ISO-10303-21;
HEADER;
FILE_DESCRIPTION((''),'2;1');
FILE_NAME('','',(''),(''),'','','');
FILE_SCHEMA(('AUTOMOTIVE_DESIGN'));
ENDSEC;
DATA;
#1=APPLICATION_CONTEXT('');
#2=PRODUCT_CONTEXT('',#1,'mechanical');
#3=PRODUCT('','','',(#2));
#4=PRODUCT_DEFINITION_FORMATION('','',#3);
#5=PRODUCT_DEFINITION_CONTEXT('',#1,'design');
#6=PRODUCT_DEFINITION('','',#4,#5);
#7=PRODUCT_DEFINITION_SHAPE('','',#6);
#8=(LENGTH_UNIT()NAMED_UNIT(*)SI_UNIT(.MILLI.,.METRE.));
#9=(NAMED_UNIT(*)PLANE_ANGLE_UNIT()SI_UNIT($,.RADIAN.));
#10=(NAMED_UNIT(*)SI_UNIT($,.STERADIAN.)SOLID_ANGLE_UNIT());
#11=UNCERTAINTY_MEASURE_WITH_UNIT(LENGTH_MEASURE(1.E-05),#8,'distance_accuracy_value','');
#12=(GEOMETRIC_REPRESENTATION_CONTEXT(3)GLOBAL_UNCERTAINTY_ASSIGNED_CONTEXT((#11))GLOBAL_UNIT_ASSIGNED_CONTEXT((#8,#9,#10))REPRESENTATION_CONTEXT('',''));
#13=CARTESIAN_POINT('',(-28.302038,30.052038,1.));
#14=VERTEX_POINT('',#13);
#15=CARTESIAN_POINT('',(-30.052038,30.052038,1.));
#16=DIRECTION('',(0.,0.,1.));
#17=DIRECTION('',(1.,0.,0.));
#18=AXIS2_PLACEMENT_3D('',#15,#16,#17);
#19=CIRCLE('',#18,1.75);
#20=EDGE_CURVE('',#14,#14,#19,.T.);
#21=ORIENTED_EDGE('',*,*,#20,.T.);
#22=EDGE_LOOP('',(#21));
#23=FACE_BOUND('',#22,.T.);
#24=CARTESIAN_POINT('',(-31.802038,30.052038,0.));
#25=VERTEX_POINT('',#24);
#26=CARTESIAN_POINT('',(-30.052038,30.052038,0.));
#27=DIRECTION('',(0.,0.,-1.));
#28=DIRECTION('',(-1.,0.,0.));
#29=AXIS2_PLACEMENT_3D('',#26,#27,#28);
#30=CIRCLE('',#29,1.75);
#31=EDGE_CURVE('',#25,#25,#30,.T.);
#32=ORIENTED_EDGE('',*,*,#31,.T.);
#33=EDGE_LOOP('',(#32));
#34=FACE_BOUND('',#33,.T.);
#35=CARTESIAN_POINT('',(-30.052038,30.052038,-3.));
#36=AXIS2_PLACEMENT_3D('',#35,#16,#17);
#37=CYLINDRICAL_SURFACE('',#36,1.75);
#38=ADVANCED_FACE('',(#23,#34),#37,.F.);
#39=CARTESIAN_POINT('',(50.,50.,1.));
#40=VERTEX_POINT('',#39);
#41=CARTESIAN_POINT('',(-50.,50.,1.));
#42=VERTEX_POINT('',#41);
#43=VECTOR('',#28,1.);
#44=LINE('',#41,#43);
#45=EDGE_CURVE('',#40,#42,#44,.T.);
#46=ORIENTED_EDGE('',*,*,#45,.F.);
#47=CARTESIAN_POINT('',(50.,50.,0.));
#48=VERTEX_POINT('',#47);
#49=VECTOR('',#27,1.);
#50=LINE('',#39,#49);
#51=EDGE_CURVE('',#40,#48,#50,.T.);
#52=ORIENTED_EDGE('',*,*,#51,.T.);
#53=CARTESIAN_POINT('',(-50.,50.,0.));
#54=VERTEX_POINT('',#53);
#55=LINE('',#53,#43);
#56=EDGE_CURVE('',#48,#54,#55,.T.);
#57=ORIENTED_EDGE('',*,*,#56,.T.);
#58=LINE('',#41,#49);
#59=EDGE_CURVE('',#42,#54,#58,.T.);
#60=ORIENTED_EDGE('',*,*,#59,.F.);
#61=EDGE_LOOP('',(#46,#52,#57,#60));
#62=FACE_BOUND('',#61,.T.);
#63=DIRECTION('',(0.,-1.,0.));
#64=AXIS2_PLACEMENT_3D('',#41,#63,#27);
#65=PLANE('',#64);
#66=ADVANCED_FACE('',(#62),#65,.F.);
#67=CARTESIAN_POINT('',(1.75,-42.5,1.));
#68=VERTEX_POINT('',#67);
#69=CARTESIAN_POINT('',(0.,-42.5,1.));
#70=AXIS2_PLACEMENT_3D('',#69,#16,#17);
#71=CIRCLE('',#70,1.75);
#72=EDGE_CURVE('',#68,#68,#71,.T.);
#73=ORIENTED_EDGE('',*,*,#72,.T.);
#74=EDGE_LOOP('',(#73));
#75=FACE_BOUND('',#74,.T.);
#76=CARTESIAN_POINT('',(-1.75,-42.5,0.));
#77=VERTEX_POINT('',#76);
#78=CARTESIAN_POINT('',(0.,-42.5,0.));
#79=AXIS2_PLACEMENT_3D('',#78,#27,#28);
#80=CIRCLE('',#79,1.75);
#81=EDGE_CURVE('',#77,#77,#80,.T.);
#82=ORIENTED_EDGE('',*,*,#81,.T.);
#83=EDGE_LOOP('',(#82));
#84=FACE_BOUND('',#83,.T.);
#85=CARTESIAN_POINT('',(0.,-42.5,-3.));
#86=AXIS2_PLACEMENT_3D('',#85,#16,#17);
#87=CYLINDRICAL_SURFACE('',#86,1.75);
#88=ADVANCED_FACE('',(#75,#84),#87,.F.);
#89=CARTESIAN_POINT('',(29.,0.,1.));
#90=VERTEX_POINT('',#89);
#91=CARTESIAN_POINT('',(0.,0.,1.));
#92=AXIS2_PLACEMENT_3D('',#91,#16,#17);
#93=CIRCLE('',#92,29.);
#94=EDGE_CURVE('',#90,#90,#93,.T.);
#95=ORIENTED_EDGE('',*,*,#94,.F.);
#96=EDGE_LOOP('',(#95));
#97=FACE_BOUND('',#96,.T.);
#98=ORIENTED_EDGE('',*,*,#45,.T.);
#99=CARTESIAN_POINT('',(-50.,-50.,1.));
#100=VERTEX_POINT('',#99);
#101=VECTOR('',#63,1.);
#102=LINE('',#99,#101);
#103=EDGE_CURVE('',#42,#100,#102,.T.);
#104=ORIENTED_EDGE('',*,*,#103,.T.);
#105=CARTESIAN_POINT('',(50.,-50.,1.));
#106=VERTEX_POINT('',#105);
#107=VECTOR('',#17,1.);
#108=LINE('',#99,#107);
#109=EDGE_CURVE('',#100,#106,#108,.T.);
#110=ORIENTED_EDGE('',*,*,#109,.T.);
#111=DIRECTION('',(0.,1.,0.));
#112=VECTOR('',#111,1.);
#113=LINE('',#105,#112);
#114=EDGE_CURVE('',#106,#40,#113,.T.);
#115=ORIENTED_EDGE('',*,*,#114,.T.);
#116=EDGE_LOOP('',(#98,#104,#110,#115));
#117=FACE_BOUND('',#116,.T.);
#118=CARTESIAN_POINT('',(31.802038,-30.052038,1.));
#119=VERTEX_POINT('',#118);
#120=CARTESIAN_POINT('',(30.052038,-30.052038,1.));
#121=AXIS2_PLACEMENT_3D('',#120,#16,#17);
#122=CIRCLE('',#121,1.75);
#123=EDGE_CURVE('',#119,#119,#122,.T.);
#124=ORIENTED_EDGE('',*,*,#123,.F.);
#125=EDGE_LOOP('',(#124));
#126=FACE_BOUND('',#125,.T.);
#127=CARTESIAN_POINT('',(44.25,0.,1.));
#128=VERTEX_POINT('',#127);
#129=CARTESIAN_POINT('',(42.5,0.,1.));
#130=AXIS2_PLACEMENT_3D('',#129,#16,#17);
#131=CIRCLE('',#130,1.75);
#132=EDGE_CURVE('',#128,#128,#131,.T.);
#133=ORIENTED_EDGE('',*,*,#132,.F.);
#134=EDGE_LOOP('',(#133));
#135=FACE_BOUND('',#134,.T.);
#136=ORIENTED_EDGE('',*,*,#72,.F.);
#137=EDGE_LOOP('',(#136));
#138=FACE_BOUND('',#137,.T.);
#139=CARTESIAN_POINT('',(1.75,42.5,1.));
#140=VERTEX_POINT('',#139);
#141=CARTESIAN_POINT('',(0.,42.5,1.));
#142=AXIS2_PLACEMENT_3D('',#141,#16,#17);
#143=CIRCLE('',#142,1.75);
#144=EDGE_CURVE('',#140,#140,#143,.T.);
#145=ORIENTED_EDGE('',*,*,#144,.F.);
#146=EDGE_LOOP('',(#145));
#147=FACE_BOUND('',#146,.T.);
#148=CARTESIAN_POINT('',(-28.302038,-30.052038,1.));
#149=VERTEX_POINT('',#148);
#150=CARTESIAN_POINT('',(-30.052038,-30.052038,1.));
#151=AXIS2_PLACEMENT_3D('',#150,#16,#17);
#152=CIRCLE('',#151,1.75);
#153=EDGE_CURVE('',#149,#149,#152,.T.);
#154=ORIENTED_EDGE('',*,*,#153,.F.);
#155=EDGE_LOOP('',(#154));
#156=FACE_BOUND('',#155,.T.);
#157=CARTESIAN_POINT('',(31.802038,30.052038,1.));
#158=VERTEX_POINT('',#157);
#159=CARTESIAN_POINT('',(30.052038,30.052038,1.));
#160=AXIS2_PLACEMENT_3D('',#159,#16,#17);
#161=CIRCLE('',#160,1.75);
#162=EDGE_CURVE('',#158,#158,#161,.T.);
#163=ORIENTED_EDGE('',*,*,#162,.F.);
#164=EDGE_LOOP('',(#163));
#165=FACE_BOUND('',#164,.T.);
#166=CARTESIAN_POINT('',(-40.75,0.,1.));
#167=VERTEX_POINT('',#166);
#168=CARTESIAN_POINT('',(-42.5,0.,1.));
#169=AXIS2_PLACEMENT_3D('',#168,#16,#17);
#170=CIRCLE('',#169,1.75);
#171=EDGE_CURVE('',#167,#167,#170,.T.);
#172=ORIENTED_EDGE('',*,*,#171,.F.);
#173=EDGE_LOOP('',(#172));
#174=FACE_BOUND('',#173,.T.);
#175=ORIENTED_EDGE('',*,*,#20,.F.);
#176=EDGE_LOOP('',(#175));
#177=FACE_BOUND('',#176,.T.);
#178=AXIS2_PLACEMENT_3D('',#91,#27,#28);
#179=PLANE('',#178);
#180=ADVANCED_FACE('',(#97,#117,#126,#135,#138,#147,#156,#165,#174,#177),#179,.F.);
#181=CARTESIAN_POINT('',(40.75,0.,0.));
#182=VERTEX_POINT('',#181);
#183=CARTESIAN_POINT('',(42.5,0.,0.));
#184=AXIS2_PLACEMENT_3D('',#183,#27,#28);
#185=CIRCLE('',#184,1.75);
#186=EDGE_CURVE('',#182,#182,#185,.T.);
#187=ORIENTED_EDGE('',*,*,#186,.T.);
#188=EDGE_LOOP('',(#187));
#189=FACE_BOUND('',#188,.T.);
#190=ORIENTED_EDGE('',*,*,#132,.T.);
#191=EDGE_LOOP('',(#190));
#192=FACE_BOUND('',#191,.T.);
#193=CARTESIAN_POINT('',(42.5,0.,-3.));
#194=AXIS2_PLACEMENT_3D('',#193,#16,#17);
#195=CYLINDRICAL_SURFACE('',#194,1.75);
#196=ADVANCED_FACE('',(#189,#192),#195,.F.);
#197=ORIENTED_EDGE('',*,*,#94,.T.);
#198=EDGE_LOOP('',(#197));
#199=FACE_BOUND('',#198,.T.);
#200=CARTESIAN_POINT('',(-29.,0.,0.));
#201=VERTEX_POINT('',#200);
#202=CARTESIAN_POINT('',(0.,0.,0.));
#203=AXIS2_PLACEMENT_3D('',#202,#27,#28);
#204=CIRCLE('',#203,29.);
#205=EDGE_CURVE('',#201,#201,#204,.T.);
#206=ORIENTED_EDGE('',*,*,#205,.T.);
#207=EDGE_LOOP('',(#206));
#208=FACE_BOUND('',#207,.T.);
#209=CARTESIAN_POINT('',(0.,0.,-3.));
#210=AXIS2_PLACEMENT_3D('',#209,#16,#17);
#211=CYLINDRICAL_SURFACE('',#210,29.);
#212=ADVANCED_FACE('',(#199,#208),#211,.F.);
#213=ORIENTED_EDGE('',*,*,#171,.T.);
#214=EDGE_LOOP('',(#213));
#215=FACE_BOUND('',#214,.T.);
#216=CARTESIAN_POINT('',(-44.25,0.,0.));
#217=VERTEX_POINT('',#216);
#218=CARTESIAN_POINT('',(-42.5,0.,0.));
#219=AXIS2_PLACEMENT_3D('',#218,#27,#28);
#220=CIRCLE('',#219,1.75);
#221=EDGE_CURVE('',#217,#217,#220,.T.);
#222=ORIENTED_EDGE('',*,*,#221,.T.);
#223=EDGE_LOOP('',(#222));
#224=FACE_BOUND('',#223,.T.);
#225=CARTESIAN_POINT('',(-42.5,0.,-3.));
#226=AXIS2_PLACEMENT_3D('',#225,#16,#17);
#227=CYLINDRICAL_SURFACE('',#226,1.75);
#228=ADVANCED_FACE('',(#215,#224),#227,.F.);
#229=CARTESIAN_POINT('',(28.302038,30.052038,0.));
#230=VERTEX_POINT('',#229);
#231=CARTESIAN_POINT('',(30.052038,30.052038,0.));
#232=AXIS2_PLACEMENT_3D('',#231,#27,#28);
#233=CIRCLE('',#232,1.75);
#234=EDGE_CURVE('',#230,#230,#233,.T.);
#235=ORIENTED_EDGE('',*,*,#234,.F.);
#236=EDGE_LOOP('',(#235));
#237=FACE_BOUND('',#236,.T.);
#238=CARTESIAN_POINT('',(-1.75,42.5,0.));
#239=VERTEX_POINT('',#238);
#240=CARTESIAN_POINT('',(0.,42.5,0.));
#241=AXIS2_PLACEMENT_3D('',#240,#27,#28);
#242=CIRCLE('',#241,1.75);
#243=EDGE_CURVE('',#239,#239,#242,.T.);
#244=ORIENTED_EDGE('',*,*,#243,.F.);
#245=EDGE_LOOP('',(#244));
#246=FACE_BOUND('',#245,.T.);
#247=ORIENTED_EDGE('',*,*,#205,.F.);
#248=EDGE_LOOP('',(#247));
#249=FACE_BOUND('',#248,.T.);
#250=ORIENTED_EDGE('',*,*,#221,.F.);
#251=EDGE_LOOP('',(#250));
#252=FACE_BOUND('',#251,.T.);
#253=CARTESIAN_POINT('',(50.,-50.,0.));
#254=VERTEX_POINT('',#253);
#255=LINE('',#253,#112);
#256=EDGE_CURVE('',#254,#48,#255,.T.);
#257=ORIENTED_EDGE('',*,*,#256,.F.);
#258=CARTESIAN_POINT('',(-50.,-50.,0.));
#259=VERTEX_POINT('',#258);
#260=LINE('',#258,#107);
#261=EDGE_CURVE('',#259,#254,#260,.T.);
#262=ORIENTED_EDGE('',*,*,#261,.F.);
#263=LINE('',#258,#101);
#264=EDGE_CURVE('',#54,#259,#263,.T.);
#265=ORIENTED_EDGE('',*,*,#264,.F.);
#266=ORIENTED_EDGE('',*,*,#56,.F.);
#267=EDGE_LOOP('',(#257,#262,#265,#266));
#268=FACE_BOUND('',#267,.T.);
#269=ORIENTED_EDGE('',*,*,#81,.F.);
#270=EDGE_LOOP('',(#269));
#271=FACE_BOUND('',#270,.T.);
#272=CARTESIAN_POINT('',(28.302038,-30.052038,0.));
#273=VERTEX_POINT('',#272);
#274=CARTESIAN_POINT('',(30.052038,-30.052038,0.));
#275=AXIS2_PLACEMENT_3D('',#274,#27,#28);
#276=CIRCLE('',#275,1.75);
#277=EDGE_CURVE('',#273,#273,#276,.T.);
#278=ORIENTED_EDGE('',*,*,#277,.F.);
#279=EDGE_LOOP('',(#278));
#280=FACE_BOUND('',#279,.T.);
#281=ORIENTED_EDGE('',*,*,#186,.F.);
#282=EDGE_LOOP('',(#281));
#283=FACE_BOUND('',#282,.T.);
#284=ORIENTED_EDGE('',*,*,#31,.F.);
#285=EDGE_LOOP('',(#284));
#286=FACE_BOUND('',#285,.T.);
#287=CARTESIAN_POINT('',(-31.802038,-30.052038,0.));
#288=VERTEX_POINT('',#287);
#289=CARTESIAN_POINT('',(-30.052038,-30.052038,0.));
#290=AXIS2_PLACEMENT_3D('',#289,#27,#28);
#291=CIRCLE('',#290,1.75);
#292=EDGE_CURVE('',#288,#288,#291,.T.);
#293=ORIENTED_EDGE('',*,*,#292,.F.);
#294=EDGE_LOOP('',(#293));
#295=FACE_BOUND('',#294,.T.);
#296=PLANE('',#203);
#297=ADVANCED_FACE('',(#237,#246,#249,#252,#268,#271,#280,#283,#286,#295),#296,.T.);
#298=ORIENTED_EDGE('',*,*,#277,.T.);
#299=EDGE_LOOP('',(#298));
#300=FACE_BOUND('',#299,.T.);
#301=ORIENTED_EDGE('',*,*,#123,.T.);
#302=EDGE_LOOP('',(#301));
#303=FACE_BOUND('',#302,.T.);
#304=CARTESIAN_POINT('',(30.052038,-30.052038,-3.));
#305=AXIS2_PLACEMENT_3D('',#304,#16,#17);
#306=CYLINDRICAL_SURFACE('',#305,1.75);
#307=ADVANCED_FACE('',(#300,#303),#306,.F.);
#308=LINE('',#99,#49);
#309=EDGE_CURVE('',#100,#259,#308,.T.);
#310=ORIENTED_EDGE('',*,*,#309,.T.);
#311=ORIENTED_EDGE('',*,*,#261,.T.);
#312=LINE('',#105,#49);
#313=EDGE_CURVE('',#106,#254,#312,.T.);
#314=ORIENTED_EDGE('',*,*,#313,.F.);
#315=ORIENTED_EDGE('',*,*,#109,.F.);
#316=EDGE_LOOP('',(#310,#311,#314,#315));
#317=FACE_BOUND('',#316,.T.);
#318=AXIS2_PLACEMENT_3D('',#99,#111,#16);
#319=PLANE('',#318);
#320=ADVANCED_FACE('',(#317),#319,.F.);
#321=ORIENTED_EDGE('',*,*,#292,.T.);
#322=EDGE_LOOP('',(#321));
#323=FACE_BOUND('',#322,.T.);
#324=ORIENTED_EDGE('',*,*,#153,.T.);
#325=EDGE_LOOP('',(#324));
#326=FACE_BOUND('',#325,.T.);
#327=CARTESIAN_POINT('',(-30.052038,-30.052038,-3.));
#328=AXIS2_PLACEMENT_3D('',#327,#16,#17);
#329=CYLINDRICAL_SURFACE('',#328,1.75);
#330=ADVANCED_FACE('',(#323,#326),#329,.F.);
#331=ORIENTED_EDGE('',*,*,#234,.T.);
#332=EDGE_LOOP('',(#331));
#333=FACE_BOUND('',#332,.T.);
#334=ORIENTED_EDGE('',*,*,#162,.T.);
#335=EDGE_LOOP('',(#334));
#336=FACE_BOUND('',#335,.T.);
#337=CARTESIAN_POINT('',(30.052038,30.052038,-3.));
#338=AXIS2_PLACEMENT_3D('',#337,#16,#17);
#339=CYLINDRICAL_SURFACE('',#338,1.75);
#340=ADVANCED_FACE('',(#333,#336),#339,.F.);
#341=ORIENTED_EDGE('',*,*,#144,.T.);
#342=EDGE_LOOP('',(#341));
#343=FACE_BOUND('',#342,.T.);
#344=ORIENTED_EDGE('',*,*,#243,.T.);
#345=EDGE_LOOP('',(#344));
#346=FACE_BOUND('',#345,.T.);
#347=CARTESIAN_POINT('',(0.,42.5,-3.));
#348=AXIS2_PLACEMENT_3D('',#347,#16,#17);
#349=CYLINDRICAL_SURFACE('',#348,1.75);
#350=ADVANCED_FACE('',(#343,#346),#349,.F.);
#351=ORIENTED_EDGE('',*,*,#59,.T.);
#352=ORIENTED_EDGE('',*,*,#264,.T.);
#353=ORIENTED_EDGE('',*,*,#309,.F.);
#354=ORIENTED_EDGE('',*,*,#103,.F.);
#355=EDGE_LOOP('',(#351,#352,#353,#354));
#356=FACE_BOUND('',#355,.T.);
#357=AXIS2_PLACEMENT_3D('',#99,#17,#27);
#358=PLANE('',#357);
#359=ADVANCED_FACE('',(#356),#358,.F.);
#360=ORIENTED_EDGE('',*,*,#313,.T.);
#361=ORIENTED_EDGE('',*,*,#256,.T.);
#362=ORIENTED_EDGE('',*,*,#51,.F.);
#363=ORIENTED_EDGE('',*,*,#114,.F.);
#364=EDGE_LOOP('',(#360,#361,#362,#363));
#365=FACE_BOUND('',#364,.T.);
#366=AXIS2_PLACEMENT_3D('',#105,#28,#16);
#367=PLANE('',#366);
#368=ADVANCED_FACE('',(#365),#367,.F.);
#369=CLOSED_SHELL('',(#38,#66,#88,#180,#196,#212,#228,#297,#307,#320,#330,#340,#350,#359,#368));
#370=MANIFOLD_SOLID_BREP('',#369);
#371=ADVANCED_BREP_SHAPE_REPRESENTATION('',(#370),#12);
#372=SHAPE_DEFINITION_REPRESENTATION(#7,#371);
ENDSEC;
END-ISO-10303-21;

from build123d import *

# Parameters (mm, degrees)
SKETCH_1_W          = 100
SKETCH_1_H          = 100
EXTRUDE_1_DEPTH     = 1
SKETCH_2_R          = 1.75
CUT_EXTRUDE_1_DEPTH = 4
SKETCH_3_R          = 29
CUT_EXTRUDE_2_DEPTH = 4


with BuildPart() as part:
    # 草图1 → 凸台-拉伸1 (new body)
    with BuildSketch(Plane.XY):
        Rectangle(SKETCH_1_W, SKETCH_1_H)
    extrude(amount=EXTRUDE_1_DEPTH)

    # 草图2 → 切除-拉伸1 (cut)
    with BuildSketch(Plane.XY.offset(1)):
        with Locations((-42.5, 0)):
            Circle(SKETCH_2_R)
        with Locations((-30.0520382, 30.0520382)):
            Circle(SKETCH_2_R)
        with Locations((0, 42.5)):
            Circle(SKETCH_2_R)
        with Locations((30.0520382, 30.0520382)):
            Circle(SKETCH_2_R)
        with Locations((42.5, 0)):
            Circle(SKETCH_2_R)
        with Locations((30.0520382, -30.0520382)):
            Circle(SKETCH_2_R)
        with Locations((0, -42.5)):
            Circle(SKETCH_2_R)
        with Locations((-30.0520382, -30.0520382)):
            Circle(SKETCH_2_R)
    extrude(amount=-CUT_EXTRUDE_1_DEPTH, mode=Mode.SUBTRACT)

    # 草图3 → 切除-拉伸2 (cut)
    with BuildSketch(Plane.XY.offset(1)):
        Circle(SKETCH_3_R)
    extrude(amount=-CUT_EXTRUDE_2_DEPTH, mode=Mode.SUBTRACT)


solid = part.part
